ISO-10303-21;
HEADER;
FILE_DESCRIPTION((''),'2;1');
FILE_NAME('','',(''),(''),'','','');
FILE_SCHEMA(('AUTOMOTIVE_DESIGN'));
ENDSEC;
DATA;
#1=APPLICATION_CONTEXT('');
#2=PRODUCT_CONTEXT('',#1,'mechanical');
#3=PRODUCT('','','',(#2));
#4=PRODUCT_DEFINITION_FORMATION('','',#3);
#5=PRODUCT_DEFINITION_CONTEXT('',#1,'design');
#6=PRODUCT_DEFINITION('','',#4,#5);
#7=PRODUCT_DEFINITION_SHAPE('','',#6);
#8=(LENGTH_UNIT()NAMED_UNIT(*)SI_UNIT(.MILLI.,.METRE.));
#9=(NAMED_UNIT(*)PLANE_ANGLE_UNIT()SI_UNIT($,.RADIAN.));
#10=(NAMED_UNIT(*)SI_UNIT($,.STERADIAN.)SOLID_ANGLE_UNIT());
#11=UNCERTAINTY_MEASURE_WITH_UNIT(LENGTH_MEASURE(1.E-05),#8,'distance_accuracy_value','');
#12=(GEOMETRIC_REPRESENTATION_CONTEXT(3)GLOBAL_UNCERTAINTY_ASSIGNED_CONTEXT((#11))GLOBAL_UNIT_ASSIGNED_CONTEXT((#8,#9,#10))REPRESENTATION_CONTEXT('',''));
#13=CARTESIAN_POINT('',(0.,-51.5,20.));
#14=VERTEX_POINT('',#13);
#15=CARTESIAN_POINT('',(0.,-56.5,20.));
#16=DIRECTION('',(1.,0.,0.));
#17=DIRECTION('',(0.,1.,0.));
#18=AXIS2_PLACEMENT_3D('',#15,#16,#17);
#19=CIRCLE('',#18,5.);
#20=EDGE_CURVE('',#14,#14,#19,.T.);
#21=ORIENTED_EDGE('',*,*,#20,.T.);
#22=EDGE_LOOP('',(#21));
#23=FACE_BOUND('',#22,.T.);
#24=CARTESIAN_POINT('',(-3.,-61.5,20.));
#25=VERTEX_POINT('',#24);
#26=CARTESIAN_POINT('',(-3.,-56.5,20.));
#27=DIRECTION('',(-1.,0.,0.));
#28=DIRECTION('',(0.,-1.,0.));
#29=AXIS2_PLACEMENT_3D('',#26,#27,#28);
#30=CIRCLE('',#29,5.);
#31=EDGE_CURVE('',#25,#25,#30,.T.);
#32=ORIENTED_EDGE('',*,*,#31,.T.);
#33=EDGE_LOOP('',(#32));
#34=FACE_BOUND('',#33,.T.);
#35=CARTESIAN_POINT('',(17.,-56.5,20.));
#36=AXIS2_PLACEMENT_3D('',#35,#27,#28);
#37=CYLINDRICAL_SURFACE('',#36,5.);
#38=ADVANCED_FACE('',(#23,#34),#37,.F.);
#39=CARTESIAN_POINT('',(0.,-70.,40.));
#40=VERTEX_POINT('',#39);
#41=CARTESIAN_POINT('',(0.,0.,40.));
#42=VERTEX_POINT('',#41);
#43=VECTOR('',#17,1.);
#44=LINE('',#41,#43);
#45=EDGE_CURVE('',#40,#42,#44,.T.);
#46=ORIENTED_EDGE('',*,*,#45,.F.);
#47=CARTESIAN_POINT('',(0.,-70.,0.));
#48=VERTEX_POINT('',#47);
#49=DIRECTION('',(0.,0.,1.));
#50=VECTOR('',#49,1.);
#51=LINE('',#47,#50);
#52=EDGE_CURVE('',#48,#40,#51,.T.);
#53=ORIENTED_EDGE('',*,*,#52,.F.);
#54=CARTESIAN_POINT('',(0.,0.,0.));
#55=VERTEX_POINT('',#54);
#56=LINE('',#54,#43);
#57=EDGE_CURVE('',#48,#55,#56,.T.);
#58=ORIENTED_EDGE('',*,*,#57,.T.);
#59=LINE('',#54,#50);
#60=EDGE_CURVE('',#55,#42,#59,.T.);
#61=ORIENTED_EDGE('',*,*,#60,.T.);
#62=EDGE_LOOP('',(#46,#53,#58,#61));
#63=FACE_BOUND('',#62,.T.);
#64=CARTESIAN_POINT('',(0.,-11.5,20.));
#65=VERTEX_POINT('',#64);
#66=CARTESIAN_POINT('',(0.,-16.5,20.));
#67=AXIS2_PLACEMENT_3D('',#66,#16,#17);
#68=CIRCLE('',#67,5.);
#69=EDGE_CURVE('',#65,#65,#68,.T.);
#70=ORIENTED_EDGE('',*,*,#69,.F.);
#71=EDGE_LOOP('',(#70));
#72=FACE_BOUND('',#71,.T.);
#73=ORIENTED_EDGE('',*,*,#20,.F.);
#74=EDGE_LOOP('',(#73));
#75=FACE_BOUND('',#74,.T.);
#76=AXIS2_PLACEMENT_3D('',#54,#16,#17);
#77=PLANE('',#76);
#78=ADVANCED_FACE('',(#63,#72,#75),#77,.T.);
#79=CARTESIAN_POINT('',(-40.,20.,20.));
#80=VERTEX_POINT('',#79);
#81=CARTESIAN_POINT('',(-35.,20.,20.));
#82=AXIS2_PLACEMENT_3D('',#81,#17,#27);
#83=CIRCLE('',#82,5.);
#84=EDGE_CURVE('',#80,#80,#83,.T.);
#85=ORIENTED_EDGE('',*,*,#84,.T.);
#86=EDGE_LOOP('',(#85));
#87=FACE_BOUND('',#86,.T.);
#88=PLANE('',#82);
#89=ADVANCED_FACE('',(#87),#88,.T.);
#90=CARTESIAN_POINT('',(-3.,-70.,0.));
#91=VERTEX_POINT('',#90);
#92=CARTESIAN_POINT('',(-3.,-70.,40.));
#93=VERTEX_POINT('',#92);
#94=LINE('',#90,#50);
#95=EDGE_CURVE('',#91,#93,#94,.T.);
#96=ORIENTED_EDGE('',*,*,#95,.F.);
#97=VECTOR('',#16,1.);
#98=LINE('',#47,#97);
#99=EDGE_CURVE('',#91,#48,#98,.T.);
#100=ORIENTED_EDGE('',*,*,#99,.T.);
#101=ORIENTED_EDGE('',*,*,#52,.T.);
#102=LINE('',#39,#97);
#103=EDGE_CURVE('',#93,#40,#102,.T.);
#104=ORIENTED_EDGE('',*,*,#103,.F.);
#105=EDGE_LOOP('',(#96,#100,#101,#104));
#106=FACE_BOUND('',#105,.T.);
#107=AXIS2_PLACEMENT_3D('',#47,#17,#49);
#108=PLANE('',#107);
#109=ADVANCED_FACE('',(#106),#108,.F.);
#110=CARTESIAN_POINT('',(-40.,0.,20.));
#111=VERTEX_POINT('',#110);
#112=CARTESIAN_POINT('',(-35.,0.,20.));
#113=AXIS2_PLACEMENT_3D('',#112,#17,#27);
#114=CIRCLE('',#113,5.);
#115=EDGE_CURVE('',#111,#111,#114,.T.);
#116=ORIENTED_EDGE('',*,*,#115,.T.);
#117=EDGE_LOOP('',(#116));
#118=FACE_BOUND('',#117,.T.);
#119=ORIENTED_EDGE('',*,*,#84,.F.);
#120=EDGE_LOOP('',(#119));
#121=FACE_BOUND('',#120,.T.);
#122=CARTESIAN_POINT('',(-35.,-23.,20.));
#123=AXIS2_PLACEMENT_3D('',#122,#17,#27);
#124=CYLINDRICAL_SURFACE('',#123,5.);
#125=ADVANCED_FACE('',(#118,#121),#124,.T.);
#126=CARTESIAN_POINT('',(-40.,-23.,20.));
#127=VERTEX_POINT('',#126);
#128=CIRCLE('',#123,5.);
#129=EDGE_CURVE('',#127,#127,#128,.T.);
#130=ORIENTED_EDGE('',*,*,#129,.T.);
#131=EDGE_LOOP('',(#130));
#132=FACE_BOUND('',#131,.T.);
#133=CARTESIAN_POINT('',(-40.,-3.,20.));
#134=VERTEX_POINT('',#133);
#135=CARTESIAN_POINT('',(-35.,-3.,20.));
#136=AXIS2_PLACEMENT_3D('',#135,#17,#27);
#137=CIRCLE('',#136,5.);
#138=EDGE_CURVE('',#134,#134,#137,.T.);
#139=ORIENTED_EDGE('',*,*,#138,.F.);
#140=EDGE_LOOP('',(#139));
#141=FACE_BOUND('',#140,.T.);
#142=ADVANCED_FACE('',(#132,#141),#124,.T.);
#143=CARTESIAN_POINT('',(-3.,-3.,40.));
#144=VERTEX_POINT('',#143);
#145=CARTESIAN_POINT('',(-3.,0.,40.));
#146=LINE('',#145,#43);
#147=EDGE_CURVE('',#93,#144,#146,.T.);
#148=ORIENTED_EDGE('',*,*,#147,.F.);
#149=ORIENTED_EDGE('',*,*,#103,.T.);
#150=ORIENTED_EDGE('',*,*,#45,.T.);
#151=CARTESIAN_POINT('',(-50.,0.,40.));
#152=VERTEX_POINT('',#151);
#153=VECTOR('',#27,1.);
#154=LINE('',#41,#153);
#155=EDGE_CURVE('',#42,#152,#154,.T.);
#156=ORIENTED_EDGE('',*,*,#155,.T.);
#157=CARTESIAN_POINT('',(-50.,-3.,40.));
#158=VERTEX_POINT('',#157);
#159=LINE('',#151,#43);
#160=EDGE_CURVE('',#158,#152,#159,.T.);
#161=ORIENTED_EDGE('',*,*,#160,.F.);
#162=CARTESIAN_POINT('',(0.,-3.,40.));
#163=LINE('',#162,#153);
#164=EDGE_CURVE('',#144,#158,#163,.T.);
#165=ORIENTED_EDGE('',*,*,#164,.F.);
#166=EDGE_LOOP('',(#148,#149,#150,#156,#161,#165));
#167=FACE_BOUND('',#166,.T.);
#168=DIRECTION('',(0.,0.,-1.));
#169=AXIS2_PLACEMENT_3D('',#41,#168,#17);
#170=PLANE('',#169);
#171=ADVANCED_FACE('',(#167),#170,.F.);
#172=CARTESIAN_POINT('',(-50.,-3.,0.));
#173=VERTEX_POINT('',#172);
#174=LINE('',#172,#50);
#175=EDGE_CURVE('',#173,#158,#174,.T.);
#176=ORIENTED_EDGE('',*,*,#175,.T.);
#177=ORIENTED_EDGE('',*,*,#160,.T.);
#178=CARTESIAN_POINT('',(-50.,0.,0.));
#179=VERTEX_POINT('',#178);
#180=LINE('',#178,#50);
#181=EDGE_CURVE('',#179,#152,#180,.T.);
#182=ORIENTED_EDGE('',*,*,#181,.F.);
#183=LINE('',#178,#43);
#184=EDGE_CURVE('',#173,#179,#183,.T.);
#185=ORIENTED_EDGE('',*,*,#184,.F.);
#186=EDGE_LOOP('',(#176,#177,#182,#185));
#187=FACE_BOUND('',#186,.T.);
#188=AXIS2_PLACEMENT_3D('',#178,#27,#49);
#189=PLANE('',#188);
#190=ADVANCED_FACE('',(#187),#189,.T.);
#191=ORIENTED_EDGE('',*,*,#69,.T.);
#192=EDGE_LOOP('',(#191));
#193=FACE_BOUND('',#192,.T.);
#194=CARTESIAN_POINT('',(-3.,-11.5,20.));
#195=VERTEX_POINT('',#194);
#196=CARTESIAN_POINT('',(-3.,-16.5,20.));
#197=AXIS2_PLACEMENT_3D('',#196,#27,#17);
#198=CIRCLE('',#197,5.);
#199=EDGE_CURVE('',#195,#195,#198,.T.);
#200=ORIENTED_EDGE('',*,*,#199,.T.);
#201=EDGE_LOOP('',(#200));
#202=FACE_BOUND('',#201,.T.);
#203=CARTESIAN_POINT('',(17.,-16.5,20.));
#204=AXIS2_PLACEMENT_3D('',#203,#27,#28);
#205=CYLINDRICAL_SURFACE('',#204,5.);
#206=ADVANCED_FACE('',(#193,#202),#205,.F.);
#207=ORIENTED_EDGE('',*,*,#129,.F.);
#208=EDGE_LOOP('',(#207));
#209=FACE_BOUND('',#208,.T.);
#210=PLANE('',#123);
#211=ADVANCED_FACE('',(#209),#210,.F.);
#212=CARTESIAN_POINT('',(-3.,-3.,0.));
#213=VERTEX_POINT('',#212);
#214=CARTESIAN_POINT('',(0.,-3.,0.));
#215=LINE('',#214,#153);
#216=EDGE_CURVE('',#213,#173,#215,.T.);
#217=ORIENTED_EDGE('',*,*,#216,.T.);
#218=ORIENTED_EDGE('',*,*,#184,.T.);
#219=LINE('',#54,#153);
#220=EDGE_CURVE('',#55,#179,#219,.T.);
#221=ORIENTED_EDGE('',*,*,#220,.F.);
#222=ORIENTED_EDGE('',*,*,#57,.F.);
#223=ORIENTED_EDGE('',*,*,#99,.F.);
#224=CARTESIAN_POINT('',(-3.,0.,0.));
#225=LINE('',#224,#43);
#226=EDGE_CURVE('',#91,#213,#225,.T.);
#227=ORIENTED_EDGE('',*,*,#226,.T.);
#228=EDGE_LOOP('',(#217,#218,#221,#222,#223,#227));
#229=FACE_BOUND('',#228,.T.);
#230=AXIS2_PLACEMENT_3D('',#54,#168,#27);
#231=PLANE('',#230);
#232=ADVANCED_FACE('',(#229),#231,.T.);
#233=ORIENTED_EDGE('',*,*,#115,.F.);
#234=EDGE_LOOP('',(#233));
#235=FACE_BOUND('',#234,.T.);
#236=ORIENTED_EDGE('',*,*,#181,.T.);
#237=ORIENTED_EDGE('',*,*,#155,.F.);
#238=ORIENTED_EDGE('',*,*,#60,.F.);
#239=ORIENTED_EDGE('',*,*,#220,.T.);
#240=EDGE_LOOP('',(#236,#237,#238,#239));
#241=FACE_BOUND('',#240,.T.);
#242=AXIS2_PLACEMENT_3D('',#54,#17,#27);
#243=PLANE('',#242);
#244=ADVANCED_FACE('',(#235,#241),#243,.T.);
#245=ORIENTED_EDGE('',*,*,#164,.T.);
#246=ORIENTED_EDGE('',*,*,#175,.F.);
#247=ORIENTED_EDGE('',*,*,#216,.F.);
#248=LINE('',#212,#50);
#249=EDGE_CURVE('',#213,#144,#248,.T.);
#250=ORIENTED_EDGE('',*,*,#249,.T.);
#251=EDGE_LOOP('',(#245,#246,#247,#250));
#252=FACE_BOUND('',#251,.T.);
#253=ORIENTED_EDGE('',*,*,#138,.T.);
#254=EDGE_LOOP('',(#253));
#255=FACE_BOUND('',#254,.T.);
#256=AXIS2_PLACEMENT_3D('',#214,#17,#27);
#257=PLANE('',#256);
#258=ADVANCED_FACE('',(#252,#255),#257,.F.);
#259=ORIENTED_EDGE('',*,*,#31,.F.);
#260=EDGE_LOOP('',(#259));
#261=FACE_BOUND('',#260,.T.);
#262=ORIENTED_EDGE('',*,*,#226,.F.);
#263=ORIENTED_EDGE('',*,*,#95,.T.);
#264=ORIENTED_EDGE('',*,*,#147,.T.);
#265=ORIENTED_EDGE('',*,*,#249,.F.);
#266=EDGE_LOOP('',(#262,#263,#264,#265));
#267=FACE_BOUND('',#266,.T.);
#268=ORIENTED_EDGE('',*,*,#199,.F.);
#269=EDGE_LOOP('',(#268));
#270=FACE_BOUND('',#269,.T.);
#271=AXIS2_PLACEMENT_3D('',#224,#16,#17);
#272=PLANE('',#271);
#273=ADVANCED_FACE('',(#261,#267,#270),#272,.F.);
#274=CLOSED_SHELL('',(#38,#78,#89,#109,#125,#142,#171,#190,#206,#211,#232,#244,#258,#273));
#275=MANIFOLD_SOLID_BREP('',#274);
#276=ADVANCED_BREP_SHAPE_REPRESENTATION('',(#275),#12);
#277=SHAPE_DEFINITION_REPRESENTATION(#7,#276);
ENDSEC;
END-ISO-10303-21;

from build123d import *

# Parameters (mm, degrees)
SUPERFICIE_EXTRUIR1_1_DEPTH = 40
DAR_ESPESOR1_T1             = 3
EXTRUIR1_DEPTH              = 20
EXTRUIR1_DEPTH_BACK         = 23
CROQUIS2_R                  = 5
CROQUIS3_R                  = 5
EXTRUIR2_DEPTH              = 20


with BuildPart() as body_1:
    # Superficie-Extruir1: a surface, the sketch's curves swept straight by 40 mm
    with BuildLine(Plane.XY, mode=Mode.PRIVATE) as superficie_extruir1_1_path:
        Line((0, -70), (0, 0))
        Line((0, 0), (-50, 0))
    superficie_extruir1_1 = Shell.extrude(superficie_extruir1_1_path.wire(), (0 * SUPERFICIE_EXTRUIR1_1_DEPTH, 0 * SUPERFICIE_EXTRUIR1_1_DEPTH, 1 * SUPERFICIE_EXTRUIR1_1_DEPTH))
    add(Solid.thicken(superficie_extruir1_1, DAR_ESPESOR1_T1))

    # Croquis2 → Extruir1 (add, two sides: drawn at the far end of the back side and taken through both)
    with BuildSketch(Plane(origin=(0, 0, 0), x_dir=(1, 0, 0), z_dir=(0, 1, 0)).offset(-EXTRUIR1_DEPTH_BACK)):
        with Locations(Location((-35, -20, 0), (0, 0, 180))):
            Circle(CROQUIS2_R)
    extrude(amount=EXTRUIR1_DEPTH + EXTRUIR1_DEPTH_BACK)

    # Croquis3 → Extruir2 (cut)
    with BuildSketch(Plane.ZY.offset(3)):
        with Locations(Location((20, -56.5, 0), (0, 0, 270))):
            Circle(CROQUIS3_R)
        with Locations(Location((20, -16.5, 0), (0, 0, 90))):
            Circle(CROQUIS3_R)
    extrude(amount=-EXTRUIR2_DEPTH, mode=Mode.SUBTRACT)


solid = body_1.part
